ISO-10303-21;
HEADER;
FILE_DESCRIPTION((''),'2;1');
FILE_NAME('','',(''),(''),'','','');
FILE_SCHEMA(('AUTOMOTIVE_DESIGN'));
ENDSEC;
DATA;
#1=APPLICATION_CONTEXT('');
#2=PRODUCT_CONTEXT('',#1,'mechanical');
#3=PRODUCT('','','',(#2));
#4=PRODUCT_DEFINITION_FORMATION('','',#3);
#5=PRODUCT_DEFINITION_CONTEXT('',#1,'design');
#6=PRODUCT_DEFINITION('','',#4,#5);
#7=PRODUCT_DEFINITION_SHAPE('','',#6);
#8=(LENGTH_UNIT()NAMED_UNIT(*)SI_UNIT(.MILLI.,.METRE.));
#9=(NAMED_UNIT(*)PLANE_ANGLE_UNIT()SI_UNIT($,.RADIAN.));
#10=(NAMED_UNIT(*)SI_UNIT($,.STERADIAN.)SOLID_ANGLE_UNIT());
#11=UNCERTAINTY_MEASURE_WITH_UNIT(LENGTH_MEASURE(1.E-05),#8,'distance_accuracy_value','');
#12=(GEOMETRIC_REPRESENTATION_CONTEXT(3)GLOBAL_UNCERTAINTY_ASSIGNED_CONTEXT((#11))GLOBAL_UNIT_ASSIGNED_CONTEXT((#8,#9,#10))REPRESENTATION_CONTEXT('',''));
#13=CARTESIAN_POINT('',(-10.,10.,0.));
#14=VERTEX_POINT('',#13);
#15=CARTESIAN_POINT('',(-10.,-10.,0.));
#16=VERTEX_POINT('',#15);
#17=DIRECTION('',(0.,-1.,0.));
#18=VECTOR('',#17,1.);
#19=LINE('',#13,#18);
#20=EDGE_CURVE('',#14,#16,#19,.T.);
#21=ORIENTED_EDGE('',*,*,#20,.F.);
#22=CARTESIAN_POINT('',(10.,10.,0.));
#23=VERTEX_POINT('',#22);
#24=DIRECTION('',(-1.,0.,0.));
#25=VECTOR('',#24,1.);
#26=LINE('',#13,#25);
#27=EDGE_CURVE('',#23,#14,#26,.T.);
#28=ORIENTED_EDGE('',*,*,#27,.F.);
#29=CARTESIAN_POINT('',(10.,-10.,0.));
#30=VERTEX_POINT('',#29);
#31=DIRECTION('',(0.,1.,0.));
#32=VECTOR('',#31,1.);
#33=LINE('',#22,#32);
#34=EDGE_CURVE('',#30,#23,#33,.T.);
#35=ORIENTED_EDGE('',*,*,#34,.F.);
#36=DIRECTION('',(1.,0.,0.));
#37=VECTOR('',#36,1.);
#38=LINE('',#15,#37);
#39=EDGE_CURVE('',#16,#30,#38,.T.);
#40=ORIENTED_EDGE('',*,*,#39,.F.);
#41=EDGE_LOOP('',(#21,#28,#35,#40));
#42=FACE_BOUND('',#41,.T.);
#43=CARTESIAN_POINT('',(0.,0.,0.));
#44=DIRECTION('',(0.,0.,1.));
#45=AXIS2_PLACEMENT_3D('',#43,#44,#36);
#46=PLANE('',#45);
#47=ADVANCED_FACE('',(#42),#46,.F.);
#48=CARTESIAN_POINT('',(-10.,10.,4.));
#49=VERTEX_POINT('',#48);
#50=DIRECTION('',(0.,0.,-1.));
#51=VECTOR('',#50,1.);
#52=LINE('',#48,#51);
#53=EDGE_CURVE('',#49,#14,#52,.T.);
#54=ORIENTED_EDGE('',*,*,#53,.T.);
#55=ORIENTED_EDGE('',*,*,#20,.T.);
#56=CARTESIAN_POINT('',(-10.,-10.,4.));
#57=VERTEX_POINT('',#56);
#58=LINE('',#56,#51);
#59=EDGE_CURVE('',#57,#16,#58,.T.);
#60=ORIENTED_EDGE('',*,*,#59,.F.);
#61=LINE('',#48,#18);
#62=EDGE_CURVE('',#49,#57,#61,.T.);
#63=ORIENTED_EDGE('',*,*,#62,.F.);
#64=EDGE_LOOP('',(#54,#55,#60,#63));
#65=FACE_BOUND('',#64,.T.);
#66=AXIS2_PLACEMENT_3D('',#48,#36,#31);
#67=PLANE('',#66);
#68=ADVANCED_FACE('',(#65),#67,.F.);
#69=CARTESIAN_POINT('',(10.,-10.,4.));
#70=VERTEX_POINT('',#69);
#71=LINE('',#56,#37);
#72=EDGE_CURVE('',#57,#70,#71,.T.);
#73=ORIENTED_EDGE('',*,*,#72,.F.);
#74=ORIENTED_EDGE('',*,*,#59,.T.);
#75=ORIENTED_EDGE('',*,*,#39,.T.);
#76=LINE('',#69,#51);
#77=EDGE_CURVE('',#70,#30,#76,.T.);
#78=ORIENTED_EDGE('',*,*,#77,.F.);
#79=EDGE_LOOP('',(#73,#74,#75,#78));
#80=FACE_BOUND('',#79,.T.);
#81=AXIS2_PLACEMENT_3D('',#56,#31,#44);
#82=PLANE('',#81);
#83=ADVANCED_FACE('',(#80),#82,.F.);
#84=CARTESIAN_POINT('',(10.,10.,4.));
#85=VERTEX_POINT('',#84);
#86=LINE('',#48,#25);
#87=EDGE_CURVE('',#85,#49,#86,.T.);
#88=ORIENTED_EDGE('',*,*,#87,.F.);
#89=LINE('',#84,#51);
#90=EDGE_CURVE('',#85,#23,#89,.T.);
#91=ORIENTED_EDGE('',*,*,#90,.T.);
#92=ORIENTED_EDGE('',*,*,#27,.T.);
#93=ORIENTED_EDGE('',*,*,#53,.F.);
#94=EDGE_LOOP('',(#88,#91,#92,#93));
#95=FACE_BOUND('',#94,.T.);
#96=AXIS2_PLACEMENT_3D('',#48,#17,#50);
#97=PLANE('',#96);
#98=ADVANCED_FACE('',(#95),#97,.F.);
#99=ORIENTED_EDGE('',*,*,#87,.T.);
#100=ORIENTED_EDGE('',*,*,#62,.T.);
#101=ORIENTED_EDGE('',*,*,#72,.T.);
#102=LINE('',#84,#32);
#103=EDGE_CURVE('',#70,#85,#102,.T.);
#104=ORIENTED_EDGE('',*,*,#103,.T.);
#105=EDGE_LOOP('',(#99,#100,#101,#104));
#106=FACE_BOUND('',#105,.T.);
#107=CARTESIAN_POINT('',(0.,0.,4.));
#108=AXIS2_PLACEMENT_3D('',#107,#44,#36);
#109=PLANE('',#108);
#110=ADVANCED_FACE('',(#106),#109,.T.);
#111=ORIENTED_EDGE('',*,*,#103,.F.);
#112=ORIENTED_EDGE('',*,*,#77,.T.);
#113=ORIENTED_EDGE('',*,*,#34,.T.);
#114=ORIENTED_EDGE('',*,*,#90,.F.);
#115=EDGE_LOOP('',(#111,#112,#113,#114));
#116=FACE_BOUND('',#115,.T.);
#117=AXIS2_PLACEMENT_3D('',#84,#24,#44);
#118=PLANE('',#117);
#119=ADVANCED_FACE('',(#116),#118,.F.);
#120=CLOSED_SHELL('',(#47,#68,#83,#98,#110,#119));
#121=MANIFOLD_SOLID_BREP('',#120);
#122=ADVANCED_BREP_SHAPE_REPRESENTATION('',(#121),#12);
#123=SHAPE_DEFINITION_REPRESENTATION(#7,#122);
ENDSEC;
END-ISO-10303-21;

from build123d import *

# Parameters (mm, degrees)
SKETCH_1_W      = 20
SKETCH_1_H      = 20
EXTRUDE_1_DEPTH = 4


with BuildPart() as part:
    # Эскиз1 → Бобышка-Вытянуть1 (new body)
    with BuildSketch(Plane.XY):
        Rectangle(SKETCH_1_W, SKETCH_1_H)
    extrude(amount=EXTRUDE_1_DEPTH)


solid = part.part
